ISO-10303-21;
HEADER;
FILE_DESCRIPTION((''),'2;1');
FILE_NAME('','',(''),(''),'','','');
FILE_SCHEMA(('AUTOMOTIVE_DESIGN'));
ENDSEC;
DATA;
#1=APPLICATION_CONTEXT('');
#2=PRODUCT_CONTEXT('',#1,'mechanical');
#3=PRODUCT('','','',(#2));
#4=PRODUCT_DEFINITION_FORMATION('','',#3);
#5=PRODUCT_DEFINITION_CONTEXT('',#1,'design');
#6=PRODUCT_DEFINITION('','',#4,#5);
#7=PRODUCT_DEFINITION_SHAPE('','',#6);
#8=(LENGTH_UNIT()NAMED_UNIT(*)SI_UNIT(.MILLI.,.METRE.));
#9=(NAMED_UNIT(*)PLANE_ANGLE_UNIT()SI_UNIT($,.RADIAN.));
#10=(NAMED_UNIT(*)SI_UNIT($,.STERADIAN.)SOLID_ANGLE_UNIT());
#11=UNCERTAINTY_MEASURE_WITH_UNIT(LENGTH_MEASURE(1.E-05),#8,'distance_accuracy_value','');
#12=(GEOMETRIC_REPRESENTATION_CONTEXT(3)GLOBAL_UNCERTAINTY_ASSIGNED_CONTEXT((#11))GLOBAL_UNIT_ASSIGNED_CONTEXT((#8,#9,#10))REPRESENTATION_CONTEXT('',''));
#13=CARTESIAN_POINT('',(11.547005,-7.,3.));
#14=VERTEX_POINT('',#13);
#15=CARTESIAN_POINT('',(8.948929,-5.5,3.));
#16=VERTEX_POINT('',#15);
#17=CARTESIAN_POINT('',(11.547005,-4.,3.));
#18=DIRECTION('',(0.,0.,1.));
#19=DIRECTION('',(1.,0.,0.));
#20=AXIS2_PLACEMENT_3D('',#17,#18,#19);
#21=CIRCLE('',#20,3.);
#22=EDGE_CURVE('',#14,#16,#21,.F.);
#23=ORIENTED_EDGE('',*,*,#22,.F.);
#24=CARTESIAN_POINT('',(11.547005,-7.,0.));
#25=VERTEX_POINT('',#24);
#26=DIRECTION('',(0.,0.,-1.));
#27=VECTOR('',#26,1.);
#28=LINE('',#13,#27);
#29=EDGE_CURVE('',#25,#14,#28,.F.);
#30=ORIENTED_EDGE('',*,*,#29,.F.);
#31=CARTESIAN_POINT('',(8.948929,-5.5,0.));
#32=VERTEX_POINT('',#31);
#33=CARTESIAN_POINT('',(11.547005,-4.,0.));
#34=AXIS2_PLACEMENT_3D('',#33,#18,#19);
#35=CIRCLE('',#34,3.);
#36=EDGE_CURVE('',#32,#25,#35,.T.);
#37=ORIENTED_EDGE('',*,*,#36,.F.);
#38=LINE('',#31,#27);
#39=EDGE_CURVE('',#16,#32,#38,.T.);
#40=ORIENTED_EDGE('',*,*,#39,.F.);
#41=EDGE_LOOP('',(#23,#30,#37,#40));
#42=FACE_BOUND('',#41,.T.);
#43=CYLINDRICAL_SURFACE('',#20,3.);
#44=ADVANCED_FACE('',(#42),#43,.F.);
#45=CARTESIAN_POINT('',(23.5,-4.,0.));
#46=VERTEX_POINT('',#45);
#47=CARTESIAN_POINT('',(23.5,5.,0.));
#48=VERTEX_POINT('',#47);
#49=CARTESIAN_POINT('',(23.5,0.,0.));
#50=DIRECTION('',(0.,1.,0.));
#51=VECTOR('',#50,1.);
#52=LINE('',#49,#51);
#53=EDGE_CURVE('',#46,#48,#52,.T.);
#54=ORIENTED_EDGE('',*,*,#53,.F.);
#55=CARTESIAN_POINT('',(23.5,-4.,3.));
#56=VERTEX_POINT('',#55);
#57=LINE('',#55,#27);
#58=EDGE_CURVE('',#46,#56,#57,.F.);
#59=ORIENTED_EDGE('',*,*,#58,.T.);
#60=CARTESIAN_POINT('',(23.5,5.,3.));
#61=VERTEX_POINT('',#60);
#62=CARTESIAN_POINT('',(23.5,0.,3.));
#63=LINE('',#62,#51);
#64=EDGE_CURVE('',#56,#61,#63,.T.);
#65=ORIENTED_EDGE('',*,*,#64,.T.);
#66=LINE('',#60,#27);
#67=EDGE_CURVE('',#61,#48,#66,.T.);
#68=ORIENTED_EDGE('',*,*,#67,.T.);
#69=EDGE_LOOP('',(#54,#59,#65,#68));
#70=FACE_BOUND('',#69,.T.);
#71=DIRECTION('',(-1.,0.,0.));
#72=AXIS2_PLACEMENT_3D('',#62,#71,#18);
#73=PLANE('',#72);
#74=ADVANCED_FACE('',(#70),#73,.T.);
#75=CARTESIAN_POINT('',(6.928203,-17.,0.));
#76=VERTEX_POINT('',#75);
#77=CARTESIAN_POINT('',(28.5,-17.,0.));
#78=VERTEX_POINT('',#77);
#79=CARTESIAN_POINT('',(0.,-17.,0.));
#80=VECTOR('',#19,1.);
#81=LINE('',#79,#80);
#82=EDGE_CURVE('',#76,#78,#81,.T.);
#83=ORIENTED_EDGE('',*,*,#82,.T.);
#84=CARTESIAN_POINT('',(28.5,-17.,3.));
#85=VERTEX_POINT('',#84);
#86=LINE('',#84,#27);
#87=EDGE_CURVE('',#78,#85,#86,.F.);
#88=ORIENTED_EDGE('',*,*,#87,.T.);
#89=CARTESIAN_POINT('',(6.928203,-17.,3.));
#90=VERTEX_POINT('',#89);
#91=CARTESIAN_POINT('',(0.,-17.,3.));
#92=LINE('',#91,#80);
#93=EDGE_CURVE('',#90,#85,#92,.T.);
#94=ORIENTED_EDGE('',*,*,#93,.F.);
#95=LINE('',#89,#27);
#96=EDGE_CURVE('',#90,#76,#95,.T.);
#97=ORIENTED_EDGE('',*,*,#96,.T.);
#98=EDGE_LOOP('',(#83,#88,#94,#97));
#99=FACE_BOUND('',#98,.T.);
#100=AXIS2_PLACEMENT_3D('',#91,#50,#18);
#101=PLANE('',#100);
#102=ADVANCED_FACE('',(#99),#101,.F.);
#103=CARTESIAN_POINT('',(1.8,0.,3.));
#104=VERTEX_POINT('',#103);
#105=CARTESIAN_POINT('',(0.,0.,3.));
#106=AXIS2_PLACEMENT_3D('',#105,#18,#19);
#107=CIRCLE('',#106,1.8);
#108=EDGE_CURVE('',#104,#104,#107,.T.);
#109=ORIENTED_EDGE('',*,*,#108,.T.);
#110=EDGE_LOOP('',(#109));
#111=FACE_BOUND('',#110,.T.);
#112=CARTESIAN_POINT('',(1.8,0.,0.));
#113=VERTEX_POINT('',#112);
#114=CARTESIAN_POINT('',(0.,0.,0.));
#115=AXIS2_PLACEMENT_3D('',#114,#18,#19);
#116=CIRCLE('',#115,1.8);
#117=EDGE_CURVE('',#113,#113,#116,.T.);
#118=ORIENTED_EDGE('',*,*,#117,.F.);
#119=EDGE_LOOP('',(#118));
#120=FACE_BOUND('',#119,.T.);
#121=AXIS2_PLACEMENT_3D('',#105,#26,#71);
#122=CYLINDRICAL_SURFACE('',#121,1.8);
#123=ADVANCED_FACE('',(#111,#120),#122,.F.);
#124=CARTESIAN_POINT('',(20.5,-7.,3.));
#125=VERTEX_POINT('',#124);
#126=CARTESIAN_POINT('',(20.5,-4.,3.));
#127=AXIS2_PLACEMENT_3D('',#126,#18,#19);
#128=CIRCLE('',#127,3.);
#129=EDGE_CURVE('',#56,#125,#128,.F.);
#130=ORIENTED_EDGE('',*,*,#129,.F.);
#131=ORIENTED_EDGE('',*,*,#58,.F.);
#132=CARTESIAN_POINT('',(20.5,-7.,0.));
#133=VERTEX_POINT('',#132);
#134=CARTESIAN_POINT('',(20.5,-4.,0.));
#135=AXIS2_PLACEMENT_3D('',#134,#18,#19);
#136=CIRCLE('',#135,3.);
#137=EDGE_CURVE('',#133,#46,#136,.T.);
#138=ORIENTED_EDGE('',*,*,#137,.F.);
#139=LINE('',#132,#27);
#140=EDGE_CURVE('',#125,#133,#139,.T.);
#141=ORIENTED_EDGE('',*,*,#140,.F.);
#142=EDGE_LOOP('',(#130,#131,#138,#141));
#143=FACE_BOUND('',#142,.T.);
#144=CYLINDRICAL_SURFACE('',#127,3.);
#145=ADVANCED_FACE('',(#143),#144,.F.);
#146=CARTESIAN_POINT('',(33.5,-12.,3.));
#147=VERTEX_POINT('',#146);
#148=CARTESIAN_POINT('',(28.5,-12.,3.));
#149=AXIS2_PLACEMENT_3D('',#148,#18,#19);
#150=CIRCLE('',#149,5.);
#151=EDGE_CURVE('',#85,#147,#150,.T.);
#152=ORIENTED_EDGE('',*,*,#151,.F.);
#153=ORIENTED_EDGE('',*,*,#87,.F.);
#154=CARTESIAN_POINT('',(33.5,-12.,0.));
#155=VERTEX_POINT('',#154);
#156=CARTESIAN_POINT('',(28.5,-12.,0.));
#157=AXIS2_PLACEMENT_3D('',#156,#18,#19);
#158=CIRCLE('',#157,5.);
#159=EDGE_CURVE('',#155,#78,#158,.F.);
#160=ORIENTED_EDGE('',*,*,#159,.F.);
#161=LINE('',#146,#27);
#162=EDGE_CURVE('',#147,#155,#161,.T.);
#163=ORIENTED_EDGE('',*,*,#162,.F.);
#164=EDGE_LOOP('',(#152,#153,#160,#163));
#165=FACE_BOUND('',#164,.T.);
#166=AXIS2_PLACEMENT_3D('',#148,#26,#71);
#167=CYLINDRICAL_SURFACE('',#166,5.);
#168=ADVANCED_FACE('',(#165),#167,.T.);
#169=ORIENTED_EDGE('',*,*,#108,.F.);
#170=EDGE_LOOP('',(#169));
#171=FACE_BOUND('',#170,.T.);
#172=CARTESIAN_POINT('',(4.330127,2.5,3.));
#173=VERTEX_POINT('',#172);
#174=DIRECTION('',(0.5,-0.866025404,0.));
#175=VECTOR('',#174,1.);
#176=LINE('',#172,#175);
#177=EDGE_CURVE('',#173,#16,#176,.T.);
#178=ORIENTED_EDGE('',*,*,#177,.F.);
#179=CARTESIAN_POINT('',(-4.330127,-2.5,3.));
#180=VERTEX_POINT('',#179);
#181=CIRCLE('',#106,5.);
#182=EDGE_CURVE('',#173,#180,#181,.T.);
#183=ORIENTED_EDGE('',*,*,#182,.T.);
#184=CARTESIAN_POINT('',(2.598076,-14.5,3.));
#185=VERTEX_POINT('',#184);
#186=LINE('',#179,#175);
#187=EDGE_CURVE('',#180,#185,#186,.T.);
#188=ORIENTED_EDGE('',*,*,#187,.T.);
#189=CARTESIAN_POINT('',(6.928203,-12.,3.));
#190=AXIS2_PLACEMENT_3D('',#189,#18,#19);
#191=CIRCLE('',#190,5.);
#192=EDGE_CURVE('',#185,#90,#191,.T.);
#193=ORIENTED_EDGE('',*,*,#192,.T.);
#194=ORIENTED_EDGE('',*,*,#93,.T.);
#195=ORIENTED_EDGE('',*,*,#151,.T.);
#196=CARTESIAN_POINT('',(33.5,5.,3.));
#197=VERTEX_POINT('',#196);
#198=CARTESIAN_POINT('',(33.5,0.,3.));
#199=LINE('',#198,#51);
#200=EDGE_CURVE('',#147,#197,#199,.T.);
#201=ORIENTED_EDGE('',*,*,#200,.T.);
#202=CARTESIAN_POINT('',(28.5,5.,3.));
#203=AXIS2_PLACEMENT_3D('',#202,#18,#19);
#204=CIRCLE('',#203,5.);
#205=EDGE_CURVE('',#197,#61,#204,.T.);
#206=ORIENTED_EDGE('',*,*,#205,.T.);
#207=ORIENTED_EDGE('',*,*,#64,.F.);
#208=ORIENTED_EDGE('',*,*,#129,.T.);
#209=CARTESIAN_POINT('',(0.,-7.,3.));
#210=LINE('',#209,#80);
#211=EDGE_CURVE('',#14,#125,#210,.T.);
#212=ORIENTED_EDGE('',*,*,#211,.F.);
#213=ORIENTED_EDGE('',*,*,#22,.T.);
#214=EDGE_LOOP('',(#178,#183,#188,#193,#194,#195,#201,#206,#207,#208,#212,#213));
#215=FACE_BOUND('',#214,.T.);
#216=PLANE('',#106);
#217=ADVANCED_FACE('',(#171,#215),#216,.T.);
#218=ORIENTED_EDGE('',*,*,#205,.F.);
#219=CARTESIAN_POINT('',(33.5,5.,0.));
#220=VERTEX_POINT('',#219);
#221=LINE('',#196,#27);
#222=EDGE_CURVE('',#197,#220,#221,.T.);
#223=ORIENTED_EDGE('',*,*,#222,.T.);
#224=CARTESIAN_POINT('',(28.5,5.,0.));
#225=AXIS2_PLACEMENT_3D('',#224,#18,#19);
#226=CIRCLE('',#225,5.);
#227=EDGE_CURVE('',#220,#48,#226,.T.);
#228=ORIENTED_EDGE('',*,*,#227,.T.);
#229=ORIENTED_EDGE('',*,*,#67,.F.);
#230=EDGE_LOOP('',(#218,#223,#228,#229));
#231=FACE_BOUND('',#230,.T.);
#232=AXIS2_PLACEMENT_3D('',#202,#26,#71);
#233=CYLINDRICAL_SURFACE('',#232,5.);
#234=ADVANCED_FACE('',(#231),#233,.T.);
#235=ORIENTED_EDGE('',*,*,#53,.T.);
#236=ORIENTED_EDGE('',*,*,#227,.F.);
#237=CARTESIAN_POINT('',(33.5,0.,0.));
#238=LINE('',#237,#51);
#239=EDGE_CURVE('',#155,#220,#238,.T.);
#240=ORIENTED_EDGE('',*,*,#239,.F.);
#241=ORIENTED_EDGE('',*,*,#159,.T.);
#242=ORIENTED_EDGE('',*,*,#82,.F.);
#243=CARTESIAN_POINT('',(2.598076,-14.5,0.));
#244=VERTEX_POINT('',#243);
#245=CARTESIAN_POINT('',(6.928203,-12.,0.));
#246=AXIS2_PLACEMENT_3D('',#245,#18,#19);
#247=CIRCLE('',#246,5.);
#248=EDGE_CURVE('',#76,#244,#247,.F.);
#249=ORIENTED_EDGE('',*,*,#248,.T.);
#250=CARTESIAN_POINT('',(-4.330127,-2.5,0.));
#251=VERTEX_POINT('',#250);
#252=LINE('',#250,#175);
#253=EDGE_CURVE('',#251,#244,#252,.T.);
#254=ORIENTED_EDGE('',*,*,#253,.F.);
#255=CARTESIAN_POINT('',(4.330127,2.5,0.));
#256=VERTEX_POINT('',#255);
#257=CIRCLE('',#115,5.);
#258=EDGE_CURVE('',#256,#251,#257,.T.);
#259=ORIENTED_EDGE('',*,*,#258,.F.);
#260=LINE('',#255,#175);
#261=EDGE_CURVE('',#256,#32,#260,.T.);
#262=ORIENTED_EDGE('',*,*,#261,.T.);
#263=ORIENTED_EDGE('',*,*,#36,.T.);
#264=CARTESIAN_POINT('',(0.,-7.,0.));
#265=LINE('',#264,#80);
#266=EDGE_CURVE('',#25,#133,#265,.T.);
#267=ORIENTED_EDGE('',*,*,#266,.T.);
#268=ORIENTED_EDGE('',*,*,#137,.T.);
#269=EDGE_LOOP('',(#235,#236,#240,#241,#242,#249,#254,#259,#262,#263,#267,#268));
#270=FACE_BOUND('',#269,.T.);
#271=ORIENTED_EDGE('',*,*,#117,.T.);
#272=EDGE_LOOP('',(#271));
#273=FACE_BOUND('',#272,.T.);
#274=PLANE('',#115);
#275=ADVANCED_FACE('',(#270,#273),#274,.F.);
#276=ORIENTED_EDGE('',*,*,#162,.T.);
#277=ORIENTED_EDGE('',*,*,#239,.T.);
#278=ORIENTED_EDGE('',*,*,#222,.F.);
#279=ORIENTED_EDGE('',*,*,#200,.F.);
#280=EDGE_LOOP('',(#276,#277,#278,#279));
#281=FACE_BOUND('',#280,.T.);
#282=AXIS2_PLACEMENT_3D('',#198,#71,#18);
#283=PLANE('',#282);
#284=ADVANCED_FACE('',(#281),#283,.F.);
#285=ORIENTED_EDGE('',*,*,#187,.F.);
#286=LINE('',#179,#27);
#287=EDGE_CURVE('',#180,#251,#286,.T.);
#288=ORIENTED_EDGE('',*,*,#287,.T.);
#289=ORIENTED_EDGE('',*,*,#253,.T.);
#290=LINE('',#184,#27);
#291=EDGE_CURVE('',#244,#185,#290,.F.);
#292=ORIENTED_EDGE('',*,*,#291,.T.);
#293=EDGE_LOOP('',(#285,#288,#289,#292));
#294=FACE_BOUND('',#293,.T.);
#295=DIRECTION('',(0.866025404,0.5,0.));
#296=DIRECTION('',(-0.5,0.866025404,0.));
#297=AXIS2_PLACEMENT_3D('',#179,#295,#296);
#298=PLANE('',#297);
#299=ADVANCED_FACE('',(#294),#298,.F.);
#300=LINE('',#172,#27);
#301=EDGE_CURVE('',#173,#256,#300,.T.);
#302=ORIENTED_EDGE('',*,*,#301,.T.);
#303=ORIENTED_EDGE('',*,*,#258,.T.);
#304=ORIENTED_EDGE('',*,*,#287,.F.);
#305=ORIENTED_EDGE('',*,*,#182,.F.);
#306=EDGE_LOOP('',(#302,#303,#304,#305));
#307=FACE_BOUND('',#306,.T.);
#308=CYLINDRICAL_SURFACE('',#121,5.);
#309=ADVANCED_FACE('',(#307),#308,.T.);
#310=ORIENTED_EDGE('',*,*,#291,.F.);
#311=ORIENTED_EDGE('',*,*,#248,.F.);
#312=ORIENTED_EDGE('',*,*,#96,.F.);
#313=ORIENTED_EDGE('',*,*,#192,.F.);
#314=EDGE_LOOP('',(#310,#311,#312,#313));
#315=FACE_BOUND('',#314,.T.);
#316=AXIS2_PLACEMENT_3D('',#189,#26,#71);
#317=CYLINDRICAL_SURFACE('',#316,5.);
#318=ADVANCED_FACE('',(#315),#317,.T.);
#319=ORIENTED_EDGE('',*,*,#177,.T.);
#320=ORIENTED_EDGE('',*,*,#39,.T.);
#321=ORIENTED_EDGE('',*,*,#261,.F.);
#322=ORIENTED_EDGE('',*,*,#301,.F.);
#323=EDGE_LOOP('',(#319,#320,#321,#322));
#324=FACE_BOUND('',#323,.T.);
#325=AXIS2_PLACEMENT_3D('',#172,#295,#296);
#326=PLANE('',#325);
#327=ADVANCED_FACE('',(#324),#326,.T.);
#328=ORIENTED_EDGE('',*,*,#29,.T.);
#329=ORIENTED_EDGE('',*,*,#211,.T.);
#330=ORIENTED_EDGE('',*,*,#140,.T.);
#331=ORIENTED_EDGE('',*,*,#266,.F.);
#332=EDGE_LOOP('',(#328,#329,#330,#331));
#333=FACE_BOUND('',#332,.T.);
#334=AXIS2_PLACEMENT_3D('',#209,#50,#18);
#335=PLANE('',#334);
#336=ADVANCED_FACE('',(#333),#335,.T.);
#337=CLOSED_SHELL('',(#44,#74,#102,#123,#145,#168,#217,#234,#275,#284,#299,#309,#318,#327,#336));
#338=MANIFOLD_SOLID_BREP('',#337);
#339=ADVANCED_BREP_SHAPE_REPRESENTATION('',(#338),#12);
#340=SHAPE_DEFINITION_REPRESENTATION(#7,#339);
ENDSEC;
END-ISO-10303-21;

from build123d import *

# Parameters (mm, degrees)
SKETCH1_R           = 1.8
BOSS_EXTRUDE1_DEPTH = 3
FILLET2_R           = 5
FILLET3_R           = 3


with BuildPart() as part:
    # Sketch1 → Boss-Extrude1 (new body)
    with BuildSketch(Plane.XY):
        with BuildLine():
            Line((4.330127019, 2.5), (9.814954576, -7))
            Line((9.814954576, -7), (23.5, -7))
            Line((23.5, -7), (23.5, 5))
            ThreePointArc((23.5, 5), (28.5, 10), (33.5, 5))
            Line((33.5, 5), (33.5, -17))
            Line((33.5, -17), (4.041451884, -17))
            Line((4.041451884, -17), (-4.330127019, -2.5))
            ThreePointArc((-4.330127019, -2.5), (-2.5, 4.330127019), (4.330127019, 2.5))
        make_face()
        Circle(SKETCH1_R, mode=Mode.SUBTRACT)
    extrude(amount=BOSS_EXTRUDE1_DEPTH)

    # Fillet2
    fillet2_edges = [part.edges().sort_by_distance(p)[0] for p in [
        (33.5, -17, 1.5),
        (4.041451884, -17, 1.5),
    ]]
    fillet(fillet2_edges, radius=FILLET2_R)

    # Fillet3
    fillet3_edges = [part.edges().sort_by_distance(p)[0] for p in [
        (9.814954576, -7, 1.5),
        (23.5, -7, 1.5),
    ]]
    fillet(fillet3_edges, radius=FILLET3_R)


solid = part.part
